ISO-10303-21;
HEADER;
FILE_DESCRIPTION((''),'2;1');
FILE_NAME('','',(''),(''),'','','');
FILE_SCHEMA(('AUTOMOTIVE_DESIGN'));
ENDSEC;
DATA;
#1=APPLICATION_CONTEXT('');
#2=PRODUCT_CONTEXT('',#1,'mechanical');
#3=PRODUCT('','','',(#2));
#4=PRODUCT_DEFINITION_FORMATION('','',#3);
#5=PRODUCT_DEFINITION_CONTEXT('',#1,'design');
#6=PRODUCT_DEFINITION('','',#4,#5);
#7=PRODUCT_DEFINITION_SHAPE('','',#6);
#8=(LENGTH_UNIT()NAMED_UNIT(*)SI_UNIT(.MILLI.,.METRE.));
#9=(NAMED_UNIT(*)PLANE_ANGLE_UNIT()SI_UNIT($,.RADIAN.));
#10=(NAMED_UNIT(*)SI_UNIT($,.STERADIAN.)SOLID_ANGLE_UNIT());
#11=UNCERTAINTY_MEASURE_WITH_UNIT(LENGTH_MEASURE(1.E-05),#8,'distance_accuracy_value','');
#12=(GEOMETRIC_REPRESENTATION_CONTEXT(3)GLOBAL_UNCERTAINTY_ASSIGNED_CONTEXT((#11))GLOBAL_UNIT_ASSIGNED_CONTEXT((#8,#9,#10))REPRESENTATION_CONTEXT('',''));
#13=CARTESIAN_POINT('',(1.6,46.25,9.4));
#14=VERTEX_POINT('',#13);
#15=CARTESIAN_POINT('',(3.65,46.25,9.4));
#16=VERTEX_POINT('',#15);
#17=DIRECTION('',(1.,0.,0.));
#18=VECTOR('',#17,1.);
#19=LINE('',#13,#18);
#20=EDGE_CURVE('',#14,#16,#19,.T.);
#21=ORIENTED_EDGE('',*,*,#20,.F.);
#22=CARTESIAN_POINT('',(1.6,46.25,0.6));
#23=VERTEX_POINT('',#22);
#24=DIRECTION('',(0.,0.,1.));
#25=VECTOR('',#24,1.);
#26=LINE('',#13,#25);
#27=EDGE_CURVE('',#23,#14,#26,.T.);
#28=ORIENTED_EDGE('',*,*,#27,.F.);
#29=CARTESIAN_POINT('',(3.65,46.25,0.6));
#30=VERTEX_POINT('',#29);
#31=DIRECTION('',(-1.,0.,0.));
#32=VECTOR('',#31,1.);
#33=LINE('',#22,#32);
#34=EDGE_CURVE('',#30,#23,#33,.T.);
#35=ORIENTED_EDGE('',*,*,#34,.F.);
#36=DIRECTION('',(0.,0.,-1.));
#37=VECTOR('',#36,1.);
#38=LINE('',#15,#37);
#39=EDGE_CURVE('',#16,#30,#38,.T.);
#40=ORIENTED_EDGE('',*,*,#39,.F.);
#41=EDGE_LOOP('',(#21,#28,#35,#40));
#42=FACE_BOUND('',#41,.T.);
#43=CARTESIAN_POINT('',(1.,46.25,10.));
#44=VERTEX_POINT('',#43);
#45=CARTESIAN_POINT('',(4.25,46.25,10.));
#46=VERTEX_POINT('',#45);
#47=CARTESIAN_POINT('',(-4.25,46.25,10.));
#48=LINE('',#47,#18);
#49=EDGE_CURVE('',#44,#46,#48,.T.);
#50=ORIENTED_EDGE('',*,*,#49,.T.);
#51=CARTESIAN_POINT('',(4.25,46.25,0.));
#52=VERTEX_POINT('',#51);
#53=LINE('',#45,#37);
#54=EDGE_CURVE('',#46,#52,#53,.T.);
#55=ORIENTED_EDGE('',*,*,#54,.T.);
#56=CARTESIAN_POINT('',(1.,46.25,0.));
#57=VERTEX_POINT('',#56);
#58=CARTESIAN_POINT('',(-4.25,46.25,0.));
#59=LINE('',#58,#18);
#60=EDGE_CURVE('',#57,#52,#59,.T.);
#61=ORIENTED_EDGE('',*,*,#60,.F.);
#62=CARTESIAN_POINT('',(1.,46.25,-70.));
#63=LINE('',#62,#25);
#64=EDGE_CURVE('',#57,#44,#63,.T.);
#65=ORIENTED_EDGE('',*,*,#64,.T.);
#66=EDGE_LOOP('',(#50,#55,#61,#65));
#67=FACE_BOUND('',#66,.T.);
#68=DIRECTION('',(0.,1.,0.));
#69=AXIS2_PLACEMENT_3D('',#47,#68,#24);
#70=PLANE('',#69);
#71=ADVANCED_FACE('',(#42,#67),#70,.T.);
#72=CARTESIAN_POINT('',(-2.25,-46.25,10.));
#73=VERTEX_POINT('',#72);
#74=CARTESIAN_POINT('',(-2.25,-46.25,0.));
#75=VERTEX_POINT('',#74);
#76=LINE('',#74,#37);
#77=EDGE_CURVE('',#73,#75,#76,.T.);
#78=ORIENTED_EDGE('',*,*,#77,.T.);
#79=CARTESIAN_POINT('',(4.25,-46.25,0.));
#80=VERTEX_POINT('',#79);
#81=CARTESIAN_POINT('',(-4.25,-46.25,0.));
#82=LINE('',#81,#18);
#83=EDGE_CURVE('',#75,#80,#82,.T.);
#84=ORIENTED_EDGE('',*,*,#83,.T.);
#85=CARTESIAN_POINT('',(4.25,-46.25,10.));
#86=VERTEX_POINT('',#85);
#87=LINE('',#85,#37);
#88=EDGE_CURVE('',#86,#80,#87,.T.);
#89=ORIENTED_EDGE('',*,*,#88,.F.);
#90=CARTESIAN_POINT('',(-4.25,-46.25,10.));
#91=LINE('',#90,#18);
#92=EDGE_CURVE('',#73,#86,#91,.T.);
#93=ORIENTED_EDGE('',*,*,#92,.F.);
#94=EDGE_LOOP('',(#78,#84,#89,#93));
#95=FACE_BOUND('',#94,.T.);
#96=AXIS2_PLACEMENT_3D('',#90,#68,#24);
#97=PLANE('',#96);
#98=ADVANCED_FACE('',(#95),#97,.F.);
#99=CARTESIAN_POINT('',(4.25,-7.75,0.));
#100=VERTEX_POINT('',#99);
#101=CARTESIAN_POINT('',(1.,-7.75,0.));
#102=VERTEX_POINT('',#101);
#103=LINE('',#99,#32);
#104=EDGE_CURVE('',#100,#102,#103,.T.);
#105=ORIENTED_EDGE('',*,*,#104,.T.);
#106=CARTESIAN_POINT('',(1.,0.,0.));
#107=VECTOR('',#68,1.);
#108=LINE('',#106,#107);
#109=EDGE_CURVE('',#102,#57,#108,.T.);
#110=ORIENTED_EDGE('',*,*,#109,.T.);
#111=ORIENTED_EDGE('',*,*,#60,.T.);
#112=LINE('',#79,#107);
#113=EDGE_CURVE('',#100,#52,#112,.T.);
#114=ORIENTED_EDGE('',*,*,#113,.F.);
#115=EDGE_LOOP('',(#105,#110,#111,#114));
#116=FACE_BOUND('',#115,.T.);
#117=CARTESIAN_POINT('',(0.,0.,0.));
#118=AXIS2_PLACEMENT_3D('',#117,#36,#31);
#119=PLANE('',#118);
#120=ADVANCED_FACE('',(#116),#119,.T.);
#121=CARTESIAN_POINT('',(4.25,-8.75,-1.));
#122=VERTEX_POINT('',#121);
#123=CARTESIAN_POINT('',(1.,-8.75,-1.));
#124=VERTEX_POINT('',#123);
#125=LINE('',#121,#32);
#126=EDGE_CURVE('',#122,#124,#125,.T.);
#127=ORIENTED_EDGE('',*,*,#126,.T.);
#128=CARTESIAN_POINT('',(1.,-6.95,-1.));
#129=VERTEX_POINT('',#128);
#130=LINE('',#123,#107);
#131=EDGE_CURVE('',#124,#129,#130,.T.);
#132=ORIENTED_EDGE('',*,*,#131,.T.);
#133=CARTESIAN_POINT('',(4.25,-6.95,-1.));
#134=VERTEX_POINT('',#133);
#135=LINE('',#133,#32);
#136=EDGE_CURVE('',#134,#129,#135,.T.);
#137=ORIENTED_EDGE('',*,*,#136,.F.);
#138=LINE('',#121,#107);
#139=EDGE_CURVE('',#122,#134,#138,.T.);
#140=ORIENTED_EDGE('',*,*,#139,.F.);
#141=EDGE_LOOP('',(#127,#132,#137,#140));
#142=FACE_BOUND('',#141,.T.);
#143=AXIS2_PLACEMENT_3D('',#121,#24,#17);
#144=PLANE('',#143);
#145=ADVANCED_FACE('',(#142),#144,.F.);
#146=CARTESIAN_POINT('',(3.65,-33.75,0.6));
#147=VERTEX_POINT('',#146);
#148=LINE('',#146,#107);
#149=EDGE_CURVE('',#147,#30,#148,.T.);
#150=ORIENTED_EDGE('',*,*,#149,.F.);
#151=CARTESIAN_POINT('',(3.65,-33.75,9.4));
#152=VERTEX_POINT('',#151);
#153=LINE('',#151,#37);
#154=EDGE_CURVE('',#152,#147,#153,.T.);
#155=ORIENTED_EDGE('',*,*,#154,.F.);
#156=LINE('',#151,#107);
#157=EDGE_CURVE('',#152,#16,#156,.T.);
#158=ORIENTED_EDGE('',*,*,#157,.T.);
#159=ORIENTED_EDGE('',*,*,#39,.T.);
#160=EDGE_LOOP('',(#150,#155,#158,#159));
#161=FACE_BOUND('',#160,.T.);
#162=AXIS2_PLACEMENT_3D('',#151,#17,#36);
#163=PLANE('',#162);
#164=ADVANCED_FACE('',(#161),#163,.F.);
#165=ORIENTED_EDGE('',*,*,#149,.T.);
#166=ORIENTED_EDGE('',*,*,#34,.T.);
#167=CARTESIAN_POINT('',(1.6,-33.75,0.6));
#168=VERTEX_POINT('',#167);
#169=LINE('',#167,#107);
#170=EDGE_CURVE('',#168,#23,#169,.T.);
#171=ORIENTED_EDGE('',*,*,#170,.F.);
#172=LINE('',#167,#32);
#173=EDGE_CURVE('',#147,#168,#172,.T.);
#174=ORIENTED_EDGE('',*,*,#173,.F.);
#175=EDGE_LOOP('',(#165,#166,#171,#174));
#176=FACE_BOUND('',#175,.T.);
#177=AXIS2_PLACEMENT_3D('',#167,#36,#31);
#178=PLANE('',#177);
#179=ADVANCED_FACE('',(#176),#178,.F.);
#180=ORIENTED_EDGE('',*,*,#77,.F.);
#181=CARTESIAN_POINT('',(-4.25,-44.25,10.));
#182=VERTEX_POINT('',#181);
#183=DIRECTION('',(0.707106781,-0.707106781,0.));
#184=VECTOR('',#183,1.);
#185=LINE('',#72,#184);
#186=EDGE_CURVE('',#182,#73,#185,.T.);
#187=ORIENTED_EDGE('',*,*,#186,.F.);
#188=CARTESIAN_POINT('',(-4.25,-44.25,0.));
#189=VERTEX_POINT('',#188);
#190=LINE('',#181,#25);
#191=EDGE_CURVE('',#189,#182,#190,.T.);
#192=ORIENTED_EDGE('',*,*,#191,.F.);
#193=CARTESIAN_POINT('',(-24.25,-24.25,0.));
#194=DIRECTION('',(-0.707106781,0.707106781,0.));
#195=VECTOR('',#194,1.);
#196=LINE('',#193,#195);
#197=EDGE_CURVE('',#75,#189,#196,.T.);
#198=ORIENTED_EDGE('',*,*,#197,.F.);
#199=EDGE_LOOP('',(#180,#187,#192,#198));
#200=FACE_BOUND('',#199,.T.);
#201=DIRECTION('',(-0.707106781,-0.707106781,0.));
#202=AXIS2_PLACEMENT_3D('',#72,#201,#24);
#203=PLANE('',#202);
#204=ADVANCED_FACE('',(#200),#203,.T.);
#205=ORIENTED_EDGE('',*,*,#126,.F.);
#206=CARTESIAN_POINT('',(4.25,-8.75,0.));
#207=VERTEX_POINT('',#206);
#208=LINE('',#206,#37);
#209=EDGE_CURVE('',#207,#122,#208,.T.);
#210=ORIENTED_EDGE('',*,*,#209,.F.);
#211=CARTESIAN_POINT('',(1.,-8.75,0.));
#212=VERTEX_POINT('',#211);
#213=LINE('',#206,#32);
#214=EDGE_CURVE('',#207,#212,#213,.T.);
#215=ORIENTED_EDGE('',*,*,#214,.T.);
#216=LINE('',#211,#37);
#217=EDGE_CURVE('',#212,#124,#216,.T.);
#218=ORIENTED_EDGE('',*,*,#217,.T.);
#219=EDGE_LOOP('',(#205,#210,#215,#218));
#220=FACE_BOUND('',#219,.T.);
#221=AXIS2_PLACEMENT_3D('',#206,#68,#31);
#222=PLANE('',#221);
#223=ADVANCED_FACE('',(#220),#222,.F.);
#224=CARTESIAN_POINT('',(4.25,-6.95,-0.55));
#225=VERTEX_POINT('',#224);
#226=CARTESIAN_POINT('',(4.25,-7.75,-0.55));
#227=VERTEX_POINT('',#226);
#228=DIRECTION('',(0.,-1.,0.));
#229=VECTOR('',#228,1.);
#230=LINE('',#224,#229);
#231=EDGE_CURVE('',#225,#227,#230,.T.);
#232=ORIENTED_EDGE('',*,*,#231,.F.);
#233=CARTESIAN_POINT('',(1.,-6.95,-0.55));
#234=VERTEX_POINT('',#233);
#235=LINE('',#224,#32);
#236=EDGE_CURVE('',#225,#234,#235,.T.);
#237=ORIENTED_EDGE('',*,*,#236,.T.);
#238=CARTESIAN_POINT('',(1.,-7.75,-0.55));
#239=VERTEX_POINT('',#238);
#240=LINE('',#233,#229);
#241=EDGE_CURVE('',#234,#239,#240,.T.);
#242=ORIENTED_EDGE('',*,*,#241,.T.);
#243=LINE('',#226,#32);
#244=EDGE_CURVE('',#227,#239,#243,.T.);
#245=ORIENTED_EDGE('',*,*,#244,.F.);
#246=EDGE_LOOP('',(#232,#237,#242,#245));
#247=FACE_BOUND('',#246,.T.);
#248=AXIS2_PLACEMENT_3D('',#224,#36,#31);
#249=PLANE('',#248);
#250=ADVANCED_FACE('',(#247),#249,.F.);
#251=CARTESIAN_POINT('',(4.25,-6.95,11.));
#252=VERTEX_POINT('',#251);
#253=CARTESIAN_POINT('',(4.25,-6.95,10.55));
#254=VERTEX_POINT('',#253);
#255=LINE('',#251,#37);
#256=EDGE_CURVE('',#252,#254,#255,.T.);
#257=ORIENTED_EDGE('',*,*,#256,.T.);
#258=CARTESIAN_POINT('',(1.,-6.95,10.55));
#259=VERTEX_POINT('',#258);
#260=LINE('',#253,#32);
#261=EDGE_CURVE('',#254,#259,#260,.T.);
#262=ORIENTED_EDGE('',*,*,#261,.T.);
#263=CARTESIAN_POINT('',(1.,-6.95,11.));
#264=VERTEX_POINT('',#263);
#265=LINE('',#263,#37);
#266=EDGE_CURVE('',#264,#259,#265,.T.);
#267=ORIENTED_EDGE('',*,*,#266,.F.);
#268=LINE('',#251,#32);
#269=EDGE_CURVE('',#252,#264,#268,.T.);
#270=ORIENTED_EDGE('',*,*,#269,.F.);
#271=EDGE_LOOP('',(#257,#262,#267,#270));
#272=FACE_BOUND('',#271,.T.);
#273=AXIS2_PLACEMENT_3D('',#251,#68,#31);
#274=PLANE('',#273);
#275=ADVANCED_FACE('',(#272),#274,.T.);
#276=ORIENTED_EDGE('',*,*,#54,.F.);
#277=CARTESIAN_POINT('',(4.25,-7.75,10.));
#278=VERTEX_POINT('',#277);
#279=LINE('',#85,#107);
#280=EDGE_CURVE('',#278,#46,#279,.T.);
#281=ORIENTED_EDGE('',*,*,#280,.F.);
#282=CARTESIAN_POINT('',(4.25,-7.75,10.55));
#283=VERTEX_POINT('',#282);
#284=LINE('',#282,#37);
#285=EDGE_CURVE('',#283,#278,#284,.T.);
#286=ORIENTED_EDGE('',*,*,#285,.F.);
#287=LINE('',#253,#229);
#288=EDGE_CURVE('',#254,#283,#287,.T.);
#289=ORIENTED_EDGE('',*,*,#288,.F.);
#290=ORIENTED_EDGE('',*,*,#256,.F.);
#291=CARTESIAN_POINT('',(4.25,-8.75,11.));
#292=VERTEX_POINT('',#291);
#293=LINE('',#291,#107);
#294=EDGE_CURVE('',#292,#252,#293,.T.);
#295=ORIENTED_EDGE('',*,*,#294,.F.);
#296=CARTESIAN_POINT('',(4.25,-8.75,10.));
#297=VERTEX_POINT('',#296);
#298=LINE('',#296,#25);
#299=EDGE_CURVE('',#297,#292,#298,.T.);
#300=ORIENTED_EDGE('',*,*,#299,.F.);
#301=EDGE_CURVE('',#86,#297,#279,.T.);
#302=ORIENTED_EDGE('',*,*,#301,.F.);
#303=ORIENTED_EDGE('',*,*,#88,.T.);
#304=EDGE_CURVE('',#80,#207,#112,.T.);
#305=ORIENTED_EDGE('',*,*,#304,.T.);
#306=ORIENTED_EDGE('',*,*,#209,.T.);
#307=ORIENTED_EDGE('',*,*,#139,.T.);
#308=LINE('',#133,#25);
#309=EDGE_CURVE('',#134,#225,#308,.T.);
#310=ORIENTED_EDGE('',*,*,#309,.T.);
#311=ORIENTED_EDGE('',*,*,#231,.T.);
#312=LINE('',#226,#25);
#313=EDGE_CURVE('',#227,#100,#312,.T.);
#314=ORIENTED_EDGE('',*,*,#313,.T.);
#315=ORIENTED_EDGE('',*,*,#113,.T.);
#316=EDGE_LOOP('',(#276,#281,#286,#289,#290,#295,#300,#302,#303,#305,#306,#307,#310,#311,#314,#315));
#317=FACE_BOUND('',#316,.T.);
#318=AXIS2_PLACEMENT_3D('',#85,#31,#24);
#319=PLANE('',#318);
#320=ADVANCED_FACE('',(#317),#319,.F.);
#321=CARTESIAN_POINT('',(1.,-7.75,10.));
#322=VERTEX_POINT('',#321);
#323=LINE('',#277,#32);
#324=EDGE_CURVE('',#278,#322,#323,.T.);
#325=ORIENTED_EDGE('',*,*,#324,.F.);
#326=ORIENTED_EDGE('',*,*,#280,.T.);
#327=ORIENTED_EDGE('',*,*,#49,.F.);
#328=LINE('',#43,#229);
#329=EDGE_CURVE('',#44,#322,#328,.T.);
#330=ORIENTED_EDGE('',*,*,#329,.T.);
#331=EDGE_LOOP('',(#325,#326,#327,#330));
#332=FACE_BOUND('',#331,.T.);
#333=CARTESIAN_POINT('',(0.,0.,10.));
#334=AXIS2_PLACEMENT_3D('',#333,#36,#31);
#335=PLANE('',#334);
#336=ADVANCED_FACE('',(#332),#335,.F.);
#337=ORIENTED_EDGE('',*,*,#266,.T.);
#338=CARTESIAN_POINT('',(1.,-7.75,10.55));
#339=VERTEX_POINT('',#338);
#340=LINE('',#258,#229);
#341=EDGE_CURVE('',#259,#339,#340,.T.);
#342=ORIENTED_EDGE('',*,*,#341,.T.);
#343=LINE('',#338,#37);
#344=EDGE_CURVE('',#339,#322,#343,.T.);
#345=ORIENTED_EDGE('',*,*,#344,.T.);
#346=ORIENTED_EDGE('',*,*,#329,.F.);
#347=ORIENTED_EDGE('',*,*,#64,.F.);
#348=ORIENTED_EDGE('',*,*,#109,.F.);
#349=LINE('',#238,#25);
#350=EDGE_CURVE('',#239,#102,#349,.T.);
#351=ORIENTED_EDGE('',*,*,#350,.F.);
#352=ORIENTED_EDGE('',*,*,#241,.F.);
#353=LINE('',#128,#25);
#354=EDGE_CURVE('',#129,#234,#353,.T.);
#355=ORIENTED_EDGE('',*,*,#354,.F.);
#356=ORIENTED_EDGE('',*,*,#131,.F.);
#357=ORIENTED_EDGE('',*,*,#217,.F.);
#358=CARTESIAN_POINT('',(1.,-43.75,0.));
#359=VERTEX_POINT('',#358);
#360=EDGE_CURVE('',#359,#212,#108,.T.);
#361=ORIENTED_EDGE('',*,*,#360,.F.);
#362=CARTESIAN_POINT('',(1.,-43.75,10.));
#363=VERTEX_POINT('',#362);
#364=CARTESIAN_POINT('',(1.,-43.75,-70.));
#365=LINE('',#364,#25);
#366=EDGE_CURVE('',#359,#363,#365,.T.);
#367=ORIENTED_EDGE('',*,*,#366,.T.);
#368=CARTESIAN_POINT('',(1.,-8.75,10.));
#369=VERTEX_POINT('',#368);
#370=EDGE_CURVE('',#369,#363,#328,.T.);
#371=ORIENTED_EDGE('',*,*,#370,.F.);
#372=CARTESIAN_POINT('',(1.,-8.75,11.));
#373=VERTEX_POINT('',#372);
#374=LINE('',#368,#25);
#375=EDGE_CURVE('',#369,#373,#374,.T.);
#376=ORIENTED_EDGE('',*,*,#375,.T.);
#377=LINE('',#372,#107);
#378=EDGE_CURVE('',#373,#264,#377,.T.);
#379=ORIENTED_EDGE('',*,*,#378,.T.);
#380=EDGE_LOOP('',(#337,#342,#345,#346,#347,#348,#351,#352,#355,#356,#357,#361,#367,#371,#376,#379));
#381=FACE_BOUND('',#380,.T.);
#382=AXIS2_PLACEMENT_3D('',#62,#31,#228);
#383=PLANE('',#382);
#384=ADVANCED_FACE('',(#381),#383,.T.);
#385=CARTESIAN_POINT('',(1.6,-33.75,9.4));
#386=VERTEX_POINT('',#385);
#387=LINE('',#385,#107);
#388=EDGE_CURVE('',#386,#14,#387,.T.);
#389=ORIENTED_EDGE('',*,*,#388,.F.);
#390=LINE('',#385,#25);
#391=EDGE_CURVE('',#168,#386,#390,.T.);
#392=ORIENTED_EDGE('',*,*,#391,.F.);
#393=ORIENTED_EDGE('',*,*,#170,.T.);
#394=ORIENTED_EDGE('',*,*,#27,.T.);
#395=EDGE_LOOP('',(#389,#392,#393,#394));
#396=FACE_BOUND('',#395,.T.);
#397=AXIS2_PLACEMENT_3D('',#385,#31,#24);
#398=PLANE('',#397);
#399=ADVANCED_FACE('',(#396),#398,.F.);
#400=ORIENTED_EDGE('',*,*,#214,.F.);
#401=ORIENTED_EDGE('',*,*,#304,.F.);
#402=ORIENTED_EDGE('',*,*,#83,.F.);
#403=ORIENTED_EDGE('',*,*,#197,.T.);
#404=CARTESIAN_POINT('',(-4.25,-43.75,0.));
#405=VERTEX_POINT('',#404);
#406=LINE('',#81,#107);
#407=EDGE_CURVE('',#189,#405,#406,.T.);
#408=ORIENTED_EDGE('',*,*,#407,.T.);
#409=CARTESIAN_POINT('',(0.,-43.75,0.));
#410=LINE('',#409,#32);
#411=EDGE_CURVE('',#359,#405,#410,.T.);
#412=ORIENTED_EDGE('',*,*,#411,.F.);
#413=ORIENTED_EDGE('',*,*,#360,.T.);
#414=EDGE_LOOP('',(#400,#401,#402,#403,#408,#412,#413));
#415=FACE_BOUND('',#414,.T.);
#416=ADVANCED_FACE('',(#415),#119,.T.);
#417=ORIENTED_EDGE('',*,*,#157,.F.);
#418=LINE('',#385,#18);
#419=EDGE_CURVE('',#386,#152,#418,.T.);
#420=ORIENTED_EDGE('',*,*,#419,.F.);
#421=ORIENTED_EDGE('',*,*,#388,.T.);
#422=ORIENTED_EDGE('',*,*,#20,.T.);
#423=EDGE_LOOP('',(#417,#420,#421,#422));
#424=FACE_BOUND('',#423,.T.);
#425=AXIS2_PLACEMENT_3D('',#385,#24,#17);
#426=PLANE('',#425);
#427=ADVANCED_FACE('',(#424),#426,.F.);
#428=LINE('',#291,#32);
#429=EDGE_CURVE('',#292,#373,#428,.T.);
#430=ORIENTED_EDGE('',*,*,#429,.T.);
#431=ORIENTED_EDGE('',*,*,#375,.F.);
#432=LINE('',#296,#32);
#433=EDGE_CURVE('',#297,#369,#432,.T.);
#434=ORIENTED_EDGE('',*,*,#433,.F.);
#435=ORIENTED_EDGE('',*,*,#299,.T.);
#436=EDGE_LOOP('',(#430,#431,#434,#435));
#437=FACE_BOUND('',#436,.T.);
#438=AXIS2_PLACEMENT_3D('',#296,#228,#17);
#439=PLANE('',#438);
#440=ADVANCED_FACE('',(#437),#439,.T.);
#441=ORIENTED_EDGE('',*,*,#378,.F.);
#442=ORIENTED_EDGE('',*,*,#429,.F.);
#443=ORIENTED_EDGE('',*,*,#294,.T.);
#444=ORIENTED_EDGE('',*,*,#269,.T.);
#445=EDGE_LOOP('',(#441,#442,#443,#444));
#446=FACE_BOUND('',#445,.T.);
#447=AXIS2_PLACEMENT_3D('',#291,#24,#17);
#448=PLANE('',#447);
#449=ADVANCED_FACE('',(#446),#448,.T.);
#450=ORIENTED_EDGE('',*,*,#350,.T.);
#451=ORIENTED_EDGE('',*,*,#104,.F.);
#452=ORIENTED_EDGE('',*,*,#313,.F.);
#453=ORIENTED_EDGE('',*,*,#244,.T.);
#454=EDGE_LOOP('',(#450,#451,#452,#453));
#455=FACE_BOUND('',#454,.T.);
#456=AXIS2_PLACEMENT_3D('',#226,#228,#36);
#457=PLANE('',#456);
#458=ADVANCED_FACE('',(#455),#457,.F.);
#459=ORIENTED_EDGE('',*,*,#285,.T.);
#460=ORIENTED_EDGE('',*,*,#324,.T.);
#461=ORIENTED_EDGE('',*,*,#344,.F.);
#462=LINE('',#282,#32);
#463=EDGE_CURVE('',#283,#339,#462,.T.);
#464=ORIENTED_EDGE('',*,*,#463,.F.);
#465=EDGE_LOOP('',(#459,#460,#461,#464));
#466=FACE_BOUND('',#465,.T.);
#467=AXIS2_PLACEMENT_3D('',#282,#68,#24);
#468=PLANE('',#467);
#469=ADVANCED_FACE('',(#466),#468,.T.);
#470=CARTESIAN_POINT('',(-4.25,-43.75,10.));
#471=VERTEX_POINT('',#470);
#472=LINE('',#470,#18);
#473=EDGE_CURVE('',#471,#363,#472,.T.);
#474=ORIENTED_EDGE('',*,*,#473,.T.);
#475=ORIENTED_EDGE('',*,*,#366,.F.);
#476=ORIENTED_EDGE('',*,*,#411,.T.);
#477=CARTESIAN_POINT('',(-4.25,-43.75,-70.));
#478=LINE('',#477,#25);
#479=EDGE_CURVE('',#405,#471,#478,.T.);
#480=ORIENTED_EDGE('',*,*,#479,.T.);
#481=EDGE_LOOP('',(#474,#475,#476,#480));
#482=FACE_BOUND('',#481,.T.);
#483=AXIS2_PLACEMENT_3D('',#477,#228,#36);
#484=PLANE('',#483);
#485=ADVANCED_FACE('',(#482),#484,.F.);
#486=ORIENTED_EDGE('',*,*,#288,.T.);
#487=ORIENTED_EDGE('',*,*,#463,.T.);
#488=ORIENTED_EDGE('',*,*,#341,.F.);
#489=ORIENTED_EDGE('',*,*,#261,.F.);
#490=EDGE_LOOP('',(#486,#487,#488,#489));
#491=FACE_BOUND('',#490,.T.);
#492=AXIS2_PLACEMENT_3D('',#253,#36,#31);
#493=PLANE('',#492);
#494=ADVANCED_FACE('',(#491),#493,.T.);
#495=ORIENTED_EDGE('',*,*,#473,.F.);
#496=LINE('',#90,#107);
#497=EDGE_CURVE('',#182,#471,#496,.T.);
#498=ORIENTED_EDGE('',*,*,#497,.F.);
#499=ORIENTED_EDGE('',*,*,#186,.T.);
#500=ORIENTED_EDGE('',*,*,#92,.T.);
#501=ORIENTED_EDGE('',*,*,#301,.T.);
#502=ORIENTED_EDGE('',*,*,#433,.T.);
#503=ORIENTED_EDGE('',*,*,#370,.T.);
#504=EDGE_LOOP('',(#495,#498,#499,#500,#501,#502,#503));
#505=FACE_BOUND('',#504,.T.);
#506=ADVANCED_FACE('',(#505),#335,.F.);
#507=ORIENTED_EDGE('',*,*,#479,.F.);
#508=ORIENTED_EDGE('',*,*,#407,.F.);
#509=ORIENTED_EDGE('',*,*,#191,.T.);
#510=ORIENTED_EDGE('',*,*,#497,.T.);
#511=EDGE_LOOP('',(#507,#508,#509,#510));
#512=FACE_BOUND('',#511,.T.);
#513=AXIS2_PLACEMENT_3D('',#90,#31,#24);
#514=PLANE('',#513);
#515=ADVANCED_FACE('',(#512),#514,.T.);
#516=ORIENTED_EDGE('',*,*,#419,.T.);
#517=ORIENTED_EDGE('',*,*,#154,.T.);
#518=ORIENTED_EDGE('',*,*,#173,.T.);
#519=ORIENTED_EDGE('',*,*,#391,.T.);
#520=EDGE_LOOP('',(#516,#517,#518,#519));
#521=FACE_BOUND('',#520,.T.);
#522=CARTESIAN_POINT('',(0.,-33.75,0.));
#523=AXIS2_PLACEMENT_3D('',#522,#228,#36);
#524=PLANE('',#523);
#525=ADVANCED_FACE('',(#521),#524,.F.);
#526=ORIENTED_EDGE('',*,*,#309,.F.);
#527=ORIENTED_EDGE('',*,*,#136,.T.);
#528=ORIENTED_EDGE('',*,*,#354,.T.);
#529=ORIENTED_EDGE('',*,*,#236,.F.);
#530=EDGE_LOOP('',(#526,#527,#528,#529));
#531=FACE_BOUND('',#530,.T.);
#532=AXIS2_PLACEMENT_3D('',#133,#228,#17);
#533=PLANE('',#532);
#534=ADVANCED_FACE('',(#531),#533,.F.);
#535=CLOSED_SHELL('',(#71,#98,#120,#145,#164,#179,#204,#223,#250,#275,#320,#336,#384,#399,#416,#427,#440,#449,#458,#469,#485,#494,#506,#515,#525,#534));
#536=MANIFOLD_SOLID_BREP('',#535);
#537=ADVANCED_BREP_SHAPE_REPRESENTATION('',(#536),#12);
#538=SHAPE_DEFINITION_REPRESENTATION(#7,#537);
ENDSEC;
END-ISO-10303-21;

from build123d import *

# Parameters (mm, degrees)
SKETCH1_W           = 8.5
SKETCH1_H           = 92.5
BOSS_EXTRUDE1_DEPTH = 10
SKETCH2_W           = 5.25
SKETCH2_H           = 90
CUT_EXTRUDE3_DEPTH  = 80
CHAMFER1_SIZE       = 2
BOSS_EXTRUDE3_DEPTH = 3.25
SKETCH9_W           = 2.05
SKETCH9_H           = 8.8
CUT_EXTRUDE4_DEPTH  = 80


with BuildPart() as part:
    # Sketch1 → Boss-Extrude1 (new body)
    with BuildSketch(Plane.XY):
        Rectangle(SKETCH1_W, SKETCH1_H)
    extrude(amount=BOSS_EXTRUDE1_DEPTH)

    # Sketch2 → Cut-Extrude3 (cut)
    with BuildSketch(Plane.XY.offset(10)):
        with Locations((-1.625, 1.25)):
            Rectangle(SKETCH2_W, SKETCH2_H)
    extrude(amount=-CUT_EXTRUDE3_DEPTH, mode=Mode.SUBTRACT)

    # Chamfer1
    chamfer1_edges = [part.edges().sort_by_distance(p)[0] for p in [
        (-4.25, -46.25, 5),
    ]]
    chamfer(chamfer1_edges, length=CHAMFER1_SIZE)

    # Sketch7 → Boss-Extrude3 (add)
    with BuildSketch(Plane.ZY.offset(-1)):
        Polygon((10, -8.75), (11, -8.75), (11, -6.95), (10.55, -6.95), (10.55, -7.75), (10, -7.75), align=None)
    boss_extrude3 = extrude(amount=-BOSS_EXTRUDE3_DEPTH)

    # Mirror2: Boss-Extrude3 across plane
    add(boss_extrude3.mirror(Plane.XY.offset(5)))

    # Sketch9 → Cut-Extrude4 (cut)
    with BuildSketch(Plane(origin=(0, 46.25, 0), x_dir=(1, 0, 0), z_dir=(0, 1, 0))):
        with Locations((2.625, -5)):
            Rectangle(SKETCH9_W, SKETCH9_H)
    extrude(amount=-CUT_EXTRUDE4_DEPTH, mode=Mode.SUBTRACT)


solid = part.part
